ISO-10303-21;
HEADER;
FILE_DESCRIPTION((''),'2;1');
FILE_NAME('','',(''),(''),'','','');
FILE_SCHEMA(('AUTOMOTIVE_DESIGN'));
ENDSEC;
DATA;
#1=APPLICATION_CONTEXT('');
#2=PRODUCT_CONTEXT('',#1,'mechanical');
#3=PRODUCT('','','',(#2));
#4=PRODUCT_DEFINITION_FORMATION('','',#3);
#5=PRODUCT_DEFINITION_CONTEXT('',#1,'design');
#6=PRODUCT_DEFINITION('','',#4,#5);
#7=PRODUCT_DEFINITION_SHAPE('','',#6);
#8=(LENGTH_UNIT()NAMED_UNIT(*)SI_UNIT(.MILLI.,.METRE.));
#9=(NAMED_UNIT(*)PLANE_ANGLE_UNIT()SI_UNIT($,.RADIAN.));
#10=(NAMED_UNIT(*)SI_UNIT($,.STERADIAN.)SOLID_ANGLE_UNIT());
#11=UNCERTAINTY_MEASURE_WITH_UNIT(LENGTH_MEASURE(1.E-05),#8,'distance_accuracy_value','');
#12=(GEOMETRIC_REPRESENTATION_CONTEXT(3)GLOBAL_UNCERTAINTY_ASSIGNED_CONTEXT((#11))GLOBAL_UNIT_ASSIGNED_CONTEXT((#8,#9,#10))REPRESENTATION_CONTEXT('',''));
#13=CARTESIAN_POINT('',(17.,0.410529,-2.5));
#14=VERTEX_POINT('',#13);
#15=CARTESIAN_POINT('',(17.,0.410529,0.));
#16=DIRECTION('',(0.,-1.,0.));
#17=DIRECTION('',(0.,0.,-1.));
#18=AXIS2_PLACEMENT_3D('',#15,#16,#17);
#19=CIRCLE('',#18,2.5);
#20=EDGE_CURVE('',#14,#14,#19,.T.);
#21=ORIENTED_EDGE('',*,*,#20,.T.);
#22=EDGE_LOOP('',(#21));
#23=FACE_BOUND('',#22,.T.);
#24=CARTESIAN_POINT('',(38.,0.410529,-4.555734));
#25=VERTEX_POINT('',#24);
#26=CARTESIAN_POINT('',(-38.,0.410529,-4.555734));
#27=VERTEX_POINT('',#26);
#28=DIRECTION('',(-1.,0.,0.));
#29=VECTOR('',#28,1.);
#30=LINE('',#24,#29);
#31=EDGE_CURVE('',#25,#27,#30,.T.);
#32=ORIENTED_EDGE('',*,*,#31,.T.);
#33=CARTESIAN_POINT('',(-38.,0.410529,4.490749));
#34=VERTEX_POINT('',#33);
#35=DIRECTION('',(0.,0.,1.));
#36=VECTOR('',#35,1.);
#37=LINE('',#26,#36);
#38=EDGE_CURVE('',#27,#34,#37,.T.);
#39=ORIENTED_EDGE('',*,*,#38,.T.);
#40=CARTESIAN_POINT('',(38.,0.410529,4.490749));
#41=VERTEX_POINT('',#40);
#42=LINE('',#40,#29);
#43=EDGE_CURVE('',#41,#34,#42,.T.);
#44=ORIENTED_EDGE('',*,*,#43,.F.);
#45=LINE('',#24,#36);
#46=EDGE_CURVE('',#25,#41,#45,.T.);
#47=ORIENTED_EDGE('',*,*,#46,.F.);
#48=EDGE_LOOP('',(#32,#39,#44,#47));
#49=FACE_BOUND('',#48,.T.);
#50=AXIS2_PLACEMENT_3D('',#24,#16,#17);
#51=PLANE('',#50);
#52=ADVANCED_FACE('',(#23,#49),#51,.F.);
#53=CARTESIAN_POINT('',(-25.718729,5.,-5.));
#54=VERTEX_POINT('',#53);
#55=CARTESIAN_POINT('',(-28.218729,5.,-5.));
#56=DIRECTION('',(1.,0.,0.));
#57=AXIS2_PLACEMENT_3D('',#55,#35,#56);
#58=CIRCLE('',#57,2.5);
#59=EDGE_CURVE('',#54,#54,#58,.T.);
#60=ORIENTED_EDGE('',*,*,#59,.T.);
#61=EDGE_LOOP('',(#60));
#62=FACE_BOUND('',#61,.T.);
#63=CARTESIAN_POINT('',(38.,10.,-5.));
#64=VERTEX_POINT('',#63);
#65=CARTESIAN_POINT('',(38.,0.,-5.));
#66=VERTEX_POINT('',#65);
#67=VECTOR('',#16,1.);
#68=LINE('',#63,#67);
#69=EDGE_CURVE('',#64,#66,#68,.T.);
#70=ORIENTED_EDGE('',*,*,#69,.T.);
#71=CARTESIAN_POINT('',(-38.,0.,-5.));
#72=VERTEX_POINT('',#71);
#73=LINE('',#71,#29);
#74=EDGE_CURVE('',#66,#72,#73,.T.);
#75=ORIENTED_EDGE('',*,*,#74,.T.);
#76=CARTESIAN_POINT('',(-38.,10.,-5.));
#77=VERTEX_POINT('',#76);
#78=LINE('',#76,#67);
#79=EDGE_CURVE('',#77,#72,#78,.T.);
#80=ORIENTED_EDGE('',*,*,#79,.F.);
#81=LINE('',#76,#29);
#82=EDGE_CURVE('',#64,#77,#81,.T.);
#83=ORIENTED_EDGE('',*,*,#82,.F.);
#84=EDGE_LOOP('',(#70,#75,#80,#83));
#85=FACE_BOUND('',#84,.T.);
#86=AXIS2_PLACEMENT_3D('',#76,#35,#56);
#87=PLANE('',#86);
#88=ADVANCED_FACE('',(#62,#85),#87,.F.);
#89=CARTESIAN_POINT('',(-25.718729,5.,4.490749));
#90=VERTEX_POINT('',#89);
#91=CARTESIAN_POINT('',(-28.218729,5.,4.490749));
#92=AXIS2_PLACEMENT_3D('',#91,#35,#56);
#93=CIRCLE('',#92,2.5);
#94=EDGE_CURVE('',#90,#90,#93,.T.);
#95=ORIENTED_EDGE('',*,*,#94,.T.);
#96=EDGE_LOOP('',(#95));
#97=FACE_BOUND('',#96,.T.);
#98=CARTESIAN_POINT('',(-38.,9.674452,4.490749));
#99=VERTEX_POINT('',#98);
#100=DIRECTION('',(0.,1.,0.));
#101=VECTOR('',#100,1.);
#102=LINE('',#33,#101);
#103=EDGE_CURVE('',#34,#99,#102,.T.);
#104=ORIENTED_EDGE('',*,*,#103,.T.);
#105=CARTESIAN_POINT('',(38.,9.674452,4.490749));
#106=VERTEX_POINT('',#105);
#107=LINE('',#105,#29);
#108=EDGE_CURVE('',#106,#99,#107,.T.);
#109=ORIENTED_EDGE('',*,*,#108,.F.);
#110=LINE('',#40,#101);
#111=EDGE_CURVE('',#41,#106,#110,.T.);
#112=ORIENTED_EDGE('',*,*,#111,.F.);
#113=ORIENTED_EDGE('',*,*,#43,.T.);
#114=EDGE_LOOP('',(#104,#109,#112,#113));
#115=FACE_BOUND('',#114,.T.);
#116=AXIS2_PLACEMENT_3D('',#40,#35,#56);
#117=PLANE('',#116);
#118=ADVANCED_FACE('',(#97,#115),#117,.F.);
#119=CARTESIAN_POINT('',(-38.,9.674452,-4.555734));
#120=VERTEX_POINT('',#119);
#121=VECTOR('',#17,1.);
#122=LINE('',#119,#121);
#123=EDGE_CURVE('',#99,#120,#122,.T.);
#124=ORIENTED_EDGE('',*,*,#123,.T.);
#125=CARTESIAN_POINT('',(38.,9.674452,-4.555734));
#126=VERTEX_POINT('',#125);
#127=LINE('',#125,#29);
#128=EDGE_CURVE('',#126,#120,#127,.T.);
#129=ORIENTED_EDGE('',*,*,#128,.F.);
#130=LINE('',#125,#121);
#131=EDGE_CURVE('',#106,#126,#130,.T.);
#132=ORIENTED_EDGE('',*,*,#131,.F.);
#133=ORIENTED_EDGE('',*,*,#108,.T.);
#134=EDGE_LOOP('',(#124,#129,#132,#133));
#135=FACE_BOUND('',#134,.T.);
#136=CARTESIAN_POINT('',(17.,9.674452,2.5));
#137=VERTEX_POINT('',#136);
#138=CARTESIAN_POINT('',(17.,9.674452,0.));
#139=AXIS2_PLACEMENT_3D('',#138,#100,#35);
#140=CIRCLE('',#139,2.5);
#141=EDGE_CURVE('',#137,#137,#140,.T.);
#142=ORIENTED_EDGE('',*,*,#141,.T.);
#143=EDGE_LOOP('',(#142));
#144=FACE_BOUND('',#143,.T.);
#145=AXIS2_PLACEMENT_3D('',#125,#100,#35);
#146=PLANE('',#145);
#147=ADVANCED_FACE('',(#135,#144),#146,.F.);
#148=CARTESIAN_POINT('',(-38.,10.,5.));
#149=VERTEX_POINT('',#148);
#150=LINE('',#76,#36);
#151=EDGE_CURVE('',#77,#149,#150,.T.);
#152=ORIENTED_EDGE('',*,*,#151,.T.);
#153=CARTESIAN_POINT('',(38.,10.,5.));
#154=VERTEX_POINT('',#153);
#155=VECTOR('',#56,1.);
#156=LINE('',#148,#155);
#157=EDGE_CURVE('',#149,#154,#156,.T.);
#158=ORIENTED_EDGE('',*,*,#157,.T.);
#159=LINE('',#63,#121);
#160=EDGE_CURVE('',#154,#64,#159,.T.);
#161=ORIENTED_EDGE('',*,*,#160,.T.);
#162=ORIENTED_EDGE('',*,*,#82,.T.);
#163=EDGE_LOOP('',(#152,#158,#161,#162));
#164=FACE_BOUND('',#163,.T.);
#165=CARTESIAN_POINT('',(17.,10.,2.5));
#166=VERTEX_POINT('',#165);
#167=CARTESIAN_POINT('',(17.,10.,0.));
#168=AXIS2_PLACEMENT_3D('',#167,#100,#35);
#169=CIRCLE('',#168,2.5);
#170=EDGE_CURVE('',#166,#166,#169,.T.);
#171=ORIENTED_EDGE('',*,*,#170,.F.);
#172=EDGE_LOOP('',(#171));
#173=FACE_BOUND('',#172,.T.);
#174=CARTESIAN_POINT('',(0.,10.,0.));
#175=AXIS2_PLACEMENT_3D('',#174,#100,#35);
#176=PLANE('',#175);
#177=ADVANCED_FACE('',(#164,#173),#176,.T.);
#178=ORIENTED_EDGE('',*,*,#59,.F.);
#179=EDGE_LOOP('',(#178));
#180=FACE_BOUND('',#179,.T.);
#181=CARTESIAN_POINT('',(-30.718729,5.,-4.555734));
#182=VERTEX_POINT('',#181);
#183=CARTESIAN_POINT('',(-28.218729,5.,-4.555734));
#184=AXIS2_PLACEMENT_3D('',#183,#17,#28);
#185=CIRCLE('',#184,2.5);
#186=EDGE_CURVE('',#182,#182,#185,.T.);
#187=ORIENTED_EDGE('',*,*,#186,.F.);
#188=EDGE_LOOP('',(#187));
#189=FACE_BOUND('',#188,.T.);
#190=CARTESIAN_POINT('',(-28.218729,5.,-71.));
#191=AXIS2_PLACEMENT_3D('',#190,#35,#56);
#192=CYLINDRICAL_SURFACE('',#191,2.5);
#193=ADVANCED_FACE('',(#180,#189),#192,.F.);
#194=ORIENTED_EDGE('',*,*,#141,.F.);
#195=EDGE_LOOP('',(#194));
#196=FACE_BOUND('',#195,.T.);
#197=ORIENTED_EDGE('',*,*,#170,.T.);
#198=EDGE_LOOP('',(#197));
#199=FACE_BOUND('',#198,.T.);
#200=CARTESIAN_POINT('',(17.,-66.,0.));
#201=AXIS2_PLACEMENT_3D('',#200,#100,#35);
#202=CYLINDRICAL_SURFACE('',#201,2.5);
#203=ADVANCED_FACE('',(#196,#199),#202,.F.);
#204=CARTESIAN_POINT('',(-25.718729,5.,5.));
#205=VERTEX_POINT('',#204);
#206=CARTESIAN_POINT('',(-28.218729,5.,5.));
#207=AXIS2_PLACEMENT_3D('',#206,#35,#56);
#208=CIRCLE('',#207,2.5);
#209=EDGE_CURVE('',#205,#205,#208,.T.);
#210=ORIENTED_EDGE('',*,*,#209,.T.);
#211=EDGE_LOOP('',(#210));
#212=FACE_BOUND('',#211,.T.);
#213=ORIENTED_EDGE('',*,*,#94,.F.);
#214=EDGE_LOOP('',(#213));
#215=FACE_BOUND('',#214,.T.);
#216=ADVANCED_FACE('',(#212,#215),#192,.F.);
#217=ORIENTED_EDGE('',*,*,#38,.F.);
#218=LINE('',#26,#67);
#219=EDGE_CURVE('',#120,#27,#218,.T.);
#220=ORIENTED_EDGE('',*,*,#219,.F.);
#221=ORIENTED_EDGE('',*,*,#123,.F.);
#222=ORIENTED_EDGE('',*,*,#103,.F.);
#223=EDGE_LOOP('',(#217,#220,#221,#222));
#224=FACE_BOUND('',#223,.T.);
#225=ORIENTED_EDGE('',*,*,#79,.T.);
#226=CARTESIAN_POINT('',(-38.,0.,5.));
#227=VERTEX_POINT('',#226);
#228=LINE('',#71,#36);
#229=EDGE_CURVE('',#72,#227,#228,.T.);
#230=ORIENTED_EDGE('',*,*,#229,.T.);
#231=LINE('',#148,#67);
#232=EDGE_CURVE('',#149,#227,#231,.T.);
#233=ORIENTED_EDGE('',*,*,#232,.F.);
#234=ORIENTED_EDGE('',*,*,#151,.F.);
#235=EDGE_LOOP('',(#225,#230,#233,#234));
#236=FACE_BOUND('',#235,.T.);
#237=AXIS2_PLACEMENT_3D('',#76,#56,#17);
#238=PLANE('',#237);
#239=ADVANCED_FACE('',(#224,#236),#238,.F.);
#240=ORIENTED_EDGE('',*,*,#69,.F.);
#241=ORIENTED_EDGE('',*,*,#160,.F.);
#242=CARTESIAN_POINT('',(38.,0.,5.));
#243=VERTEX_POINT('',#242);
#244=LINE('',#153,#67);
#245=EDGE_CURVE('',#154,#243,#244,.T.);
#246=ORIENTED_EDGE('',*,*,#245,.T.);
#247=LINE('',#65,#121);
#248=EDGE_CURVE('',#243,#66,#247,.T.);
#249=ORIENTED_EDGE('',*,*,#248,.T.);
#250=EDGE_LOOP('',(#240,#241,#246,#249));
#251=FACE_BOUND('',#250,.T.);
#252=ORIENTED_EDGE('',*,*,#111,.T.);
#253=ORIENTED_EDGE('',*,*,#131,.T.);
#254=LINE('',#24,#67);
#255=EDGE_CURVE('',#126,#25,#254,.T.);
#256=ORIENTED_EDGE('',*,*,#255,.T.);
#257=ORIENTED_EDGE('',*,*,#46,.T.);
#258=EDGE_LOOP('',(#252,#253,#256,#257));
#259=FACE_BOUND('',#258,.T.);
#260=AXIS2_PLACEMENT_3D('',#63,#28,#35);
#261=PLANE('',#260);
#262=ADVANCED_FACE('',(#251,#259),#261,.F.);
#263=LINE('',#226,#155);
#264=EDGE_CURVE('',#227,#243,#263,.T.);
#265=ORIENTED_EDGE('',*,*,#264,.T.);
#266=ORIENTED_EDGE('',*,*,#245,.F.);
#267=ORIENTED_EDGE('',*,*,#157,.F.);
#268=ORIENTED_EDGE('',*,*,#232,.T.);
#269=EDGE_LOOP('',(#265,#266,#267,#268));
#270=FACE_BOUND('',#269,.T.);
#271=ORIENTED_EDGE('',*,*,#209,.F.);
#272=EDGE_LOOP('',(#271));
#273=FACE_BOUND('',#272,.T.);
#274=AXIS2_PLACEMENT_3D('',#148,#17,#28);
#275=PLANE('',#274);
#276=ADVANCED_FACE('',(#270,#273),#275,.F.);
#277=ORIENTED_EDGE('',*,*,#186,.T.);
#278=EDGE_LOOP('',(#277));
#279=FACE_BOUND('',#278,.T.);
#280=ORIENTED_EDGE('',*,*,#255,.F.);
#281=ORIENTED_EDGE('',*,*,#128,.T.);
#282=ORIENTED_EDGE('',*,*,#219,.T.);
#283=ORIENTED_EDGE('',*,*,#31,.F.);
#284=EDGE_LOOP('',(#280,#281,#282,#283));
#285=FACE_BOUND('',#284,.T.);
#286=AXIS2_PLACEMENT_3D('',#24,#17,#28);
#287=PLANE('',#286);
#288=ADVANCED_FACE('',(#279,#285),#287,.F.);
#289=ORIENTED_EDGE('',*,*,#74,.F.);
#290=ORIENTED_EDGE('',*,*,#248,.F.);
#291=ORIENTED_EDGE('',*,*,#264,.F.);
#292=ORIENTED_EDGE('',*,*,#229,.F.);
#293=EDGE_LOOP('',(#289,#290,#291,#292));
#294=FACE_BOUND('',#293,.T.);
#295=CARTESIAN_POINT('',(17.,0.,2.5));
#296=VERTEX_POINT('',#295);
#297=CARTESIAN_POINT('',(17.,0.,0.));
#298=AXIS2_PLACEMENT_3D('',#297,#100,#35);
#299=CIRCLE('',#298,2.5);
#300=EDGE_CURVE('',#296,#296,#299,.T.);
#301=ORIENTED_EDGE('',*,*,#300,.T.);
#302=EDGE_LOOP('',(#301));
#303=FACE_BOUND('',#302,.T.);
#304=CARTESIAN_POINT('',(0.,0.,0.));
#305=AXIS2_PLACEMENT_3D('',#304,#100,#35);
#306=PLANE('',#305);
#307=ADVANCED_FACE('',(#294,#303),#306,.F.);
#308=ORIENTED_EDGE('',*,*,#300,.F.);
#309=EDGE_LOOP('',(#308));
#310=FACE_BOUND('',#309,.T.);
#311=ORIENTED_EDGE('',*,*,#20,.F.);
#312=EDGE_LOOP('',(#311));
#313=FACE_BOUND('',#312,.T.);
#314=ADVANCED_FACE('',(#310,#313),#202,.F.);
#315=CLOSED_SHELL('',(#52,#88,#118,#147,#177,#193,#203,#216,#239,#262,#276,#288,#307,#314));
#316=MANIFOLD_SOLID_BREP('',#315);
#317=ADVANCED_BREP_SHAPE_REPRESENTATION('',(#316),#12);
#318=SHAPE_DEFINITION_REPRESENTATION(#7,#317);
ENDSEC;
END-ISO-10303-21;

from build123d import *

# Parameters (mm, degrees)
SKETCH1_W           = 76
SKETCH1_H           = 10
BOSS_EXTRUDE1_DEPTH = 10
SKETCH2_W           = 9.046482833
SKETCH2_H           = 9.263922883
CUT_EXTRUDE1_DEPTH  = 77
SKETCH4_R           = 2.5
CUT_EXTRUDE2_DEPTH  = 76
SKETCH6_R           = 2.5
CUT_EXTRUDE3_DEPTH  = 76


with BuildPart() as part:
    # Sketch1 → Boss-Extrude1 (new body)
    with BuildSketch(Plane(origin=(0, 0, 0), x_dir=(1, 0, 0), z_dir=(0, 1, 0))):
        Rectangle(SKETCH1_W, SKETCH1_H)
    extrude(amount=BOSS_EXTRUDE1_DEPTH)

    # Sketch2 → Cut-Extrude1 (cut, through all)
    with BuildSketch(Plane.ZY.offset(38)):
        with Locations((-0.032492444, 5.042490422)):
            Rectangle(SKETCH2_W, SKETCH2_H)
    extrude(amount=-CUT_EXTRUDE1_DEPTH, mode=Mode.SUBTRACT)

    # Sketch4 → Cut-Extrude2 (cut)
    with BuildSketch(Plane.XY.offset(5)):
        with Locations((-28.218728934, 5)):
            Circle(SKETCH4_R)
    extrude(amount=-CUT_EXTRUDE2_DEPTH, mode=Mode.SUBTRACT)

    # Sketch6 → Cut-Extrude3 (cut)
    with BuildSketch(Plane(origin=(0, 10, 0), x_dir=(1, 0, 0), z_dir=(0, 1, 0))):
        with Locations((17, 0)):
            Circle(SKETCH6_R)
    extrude(amount=-CUT_EXTRUDE3_DEPTH, mode=Mode.SUBTRACT)


solid = part.part
